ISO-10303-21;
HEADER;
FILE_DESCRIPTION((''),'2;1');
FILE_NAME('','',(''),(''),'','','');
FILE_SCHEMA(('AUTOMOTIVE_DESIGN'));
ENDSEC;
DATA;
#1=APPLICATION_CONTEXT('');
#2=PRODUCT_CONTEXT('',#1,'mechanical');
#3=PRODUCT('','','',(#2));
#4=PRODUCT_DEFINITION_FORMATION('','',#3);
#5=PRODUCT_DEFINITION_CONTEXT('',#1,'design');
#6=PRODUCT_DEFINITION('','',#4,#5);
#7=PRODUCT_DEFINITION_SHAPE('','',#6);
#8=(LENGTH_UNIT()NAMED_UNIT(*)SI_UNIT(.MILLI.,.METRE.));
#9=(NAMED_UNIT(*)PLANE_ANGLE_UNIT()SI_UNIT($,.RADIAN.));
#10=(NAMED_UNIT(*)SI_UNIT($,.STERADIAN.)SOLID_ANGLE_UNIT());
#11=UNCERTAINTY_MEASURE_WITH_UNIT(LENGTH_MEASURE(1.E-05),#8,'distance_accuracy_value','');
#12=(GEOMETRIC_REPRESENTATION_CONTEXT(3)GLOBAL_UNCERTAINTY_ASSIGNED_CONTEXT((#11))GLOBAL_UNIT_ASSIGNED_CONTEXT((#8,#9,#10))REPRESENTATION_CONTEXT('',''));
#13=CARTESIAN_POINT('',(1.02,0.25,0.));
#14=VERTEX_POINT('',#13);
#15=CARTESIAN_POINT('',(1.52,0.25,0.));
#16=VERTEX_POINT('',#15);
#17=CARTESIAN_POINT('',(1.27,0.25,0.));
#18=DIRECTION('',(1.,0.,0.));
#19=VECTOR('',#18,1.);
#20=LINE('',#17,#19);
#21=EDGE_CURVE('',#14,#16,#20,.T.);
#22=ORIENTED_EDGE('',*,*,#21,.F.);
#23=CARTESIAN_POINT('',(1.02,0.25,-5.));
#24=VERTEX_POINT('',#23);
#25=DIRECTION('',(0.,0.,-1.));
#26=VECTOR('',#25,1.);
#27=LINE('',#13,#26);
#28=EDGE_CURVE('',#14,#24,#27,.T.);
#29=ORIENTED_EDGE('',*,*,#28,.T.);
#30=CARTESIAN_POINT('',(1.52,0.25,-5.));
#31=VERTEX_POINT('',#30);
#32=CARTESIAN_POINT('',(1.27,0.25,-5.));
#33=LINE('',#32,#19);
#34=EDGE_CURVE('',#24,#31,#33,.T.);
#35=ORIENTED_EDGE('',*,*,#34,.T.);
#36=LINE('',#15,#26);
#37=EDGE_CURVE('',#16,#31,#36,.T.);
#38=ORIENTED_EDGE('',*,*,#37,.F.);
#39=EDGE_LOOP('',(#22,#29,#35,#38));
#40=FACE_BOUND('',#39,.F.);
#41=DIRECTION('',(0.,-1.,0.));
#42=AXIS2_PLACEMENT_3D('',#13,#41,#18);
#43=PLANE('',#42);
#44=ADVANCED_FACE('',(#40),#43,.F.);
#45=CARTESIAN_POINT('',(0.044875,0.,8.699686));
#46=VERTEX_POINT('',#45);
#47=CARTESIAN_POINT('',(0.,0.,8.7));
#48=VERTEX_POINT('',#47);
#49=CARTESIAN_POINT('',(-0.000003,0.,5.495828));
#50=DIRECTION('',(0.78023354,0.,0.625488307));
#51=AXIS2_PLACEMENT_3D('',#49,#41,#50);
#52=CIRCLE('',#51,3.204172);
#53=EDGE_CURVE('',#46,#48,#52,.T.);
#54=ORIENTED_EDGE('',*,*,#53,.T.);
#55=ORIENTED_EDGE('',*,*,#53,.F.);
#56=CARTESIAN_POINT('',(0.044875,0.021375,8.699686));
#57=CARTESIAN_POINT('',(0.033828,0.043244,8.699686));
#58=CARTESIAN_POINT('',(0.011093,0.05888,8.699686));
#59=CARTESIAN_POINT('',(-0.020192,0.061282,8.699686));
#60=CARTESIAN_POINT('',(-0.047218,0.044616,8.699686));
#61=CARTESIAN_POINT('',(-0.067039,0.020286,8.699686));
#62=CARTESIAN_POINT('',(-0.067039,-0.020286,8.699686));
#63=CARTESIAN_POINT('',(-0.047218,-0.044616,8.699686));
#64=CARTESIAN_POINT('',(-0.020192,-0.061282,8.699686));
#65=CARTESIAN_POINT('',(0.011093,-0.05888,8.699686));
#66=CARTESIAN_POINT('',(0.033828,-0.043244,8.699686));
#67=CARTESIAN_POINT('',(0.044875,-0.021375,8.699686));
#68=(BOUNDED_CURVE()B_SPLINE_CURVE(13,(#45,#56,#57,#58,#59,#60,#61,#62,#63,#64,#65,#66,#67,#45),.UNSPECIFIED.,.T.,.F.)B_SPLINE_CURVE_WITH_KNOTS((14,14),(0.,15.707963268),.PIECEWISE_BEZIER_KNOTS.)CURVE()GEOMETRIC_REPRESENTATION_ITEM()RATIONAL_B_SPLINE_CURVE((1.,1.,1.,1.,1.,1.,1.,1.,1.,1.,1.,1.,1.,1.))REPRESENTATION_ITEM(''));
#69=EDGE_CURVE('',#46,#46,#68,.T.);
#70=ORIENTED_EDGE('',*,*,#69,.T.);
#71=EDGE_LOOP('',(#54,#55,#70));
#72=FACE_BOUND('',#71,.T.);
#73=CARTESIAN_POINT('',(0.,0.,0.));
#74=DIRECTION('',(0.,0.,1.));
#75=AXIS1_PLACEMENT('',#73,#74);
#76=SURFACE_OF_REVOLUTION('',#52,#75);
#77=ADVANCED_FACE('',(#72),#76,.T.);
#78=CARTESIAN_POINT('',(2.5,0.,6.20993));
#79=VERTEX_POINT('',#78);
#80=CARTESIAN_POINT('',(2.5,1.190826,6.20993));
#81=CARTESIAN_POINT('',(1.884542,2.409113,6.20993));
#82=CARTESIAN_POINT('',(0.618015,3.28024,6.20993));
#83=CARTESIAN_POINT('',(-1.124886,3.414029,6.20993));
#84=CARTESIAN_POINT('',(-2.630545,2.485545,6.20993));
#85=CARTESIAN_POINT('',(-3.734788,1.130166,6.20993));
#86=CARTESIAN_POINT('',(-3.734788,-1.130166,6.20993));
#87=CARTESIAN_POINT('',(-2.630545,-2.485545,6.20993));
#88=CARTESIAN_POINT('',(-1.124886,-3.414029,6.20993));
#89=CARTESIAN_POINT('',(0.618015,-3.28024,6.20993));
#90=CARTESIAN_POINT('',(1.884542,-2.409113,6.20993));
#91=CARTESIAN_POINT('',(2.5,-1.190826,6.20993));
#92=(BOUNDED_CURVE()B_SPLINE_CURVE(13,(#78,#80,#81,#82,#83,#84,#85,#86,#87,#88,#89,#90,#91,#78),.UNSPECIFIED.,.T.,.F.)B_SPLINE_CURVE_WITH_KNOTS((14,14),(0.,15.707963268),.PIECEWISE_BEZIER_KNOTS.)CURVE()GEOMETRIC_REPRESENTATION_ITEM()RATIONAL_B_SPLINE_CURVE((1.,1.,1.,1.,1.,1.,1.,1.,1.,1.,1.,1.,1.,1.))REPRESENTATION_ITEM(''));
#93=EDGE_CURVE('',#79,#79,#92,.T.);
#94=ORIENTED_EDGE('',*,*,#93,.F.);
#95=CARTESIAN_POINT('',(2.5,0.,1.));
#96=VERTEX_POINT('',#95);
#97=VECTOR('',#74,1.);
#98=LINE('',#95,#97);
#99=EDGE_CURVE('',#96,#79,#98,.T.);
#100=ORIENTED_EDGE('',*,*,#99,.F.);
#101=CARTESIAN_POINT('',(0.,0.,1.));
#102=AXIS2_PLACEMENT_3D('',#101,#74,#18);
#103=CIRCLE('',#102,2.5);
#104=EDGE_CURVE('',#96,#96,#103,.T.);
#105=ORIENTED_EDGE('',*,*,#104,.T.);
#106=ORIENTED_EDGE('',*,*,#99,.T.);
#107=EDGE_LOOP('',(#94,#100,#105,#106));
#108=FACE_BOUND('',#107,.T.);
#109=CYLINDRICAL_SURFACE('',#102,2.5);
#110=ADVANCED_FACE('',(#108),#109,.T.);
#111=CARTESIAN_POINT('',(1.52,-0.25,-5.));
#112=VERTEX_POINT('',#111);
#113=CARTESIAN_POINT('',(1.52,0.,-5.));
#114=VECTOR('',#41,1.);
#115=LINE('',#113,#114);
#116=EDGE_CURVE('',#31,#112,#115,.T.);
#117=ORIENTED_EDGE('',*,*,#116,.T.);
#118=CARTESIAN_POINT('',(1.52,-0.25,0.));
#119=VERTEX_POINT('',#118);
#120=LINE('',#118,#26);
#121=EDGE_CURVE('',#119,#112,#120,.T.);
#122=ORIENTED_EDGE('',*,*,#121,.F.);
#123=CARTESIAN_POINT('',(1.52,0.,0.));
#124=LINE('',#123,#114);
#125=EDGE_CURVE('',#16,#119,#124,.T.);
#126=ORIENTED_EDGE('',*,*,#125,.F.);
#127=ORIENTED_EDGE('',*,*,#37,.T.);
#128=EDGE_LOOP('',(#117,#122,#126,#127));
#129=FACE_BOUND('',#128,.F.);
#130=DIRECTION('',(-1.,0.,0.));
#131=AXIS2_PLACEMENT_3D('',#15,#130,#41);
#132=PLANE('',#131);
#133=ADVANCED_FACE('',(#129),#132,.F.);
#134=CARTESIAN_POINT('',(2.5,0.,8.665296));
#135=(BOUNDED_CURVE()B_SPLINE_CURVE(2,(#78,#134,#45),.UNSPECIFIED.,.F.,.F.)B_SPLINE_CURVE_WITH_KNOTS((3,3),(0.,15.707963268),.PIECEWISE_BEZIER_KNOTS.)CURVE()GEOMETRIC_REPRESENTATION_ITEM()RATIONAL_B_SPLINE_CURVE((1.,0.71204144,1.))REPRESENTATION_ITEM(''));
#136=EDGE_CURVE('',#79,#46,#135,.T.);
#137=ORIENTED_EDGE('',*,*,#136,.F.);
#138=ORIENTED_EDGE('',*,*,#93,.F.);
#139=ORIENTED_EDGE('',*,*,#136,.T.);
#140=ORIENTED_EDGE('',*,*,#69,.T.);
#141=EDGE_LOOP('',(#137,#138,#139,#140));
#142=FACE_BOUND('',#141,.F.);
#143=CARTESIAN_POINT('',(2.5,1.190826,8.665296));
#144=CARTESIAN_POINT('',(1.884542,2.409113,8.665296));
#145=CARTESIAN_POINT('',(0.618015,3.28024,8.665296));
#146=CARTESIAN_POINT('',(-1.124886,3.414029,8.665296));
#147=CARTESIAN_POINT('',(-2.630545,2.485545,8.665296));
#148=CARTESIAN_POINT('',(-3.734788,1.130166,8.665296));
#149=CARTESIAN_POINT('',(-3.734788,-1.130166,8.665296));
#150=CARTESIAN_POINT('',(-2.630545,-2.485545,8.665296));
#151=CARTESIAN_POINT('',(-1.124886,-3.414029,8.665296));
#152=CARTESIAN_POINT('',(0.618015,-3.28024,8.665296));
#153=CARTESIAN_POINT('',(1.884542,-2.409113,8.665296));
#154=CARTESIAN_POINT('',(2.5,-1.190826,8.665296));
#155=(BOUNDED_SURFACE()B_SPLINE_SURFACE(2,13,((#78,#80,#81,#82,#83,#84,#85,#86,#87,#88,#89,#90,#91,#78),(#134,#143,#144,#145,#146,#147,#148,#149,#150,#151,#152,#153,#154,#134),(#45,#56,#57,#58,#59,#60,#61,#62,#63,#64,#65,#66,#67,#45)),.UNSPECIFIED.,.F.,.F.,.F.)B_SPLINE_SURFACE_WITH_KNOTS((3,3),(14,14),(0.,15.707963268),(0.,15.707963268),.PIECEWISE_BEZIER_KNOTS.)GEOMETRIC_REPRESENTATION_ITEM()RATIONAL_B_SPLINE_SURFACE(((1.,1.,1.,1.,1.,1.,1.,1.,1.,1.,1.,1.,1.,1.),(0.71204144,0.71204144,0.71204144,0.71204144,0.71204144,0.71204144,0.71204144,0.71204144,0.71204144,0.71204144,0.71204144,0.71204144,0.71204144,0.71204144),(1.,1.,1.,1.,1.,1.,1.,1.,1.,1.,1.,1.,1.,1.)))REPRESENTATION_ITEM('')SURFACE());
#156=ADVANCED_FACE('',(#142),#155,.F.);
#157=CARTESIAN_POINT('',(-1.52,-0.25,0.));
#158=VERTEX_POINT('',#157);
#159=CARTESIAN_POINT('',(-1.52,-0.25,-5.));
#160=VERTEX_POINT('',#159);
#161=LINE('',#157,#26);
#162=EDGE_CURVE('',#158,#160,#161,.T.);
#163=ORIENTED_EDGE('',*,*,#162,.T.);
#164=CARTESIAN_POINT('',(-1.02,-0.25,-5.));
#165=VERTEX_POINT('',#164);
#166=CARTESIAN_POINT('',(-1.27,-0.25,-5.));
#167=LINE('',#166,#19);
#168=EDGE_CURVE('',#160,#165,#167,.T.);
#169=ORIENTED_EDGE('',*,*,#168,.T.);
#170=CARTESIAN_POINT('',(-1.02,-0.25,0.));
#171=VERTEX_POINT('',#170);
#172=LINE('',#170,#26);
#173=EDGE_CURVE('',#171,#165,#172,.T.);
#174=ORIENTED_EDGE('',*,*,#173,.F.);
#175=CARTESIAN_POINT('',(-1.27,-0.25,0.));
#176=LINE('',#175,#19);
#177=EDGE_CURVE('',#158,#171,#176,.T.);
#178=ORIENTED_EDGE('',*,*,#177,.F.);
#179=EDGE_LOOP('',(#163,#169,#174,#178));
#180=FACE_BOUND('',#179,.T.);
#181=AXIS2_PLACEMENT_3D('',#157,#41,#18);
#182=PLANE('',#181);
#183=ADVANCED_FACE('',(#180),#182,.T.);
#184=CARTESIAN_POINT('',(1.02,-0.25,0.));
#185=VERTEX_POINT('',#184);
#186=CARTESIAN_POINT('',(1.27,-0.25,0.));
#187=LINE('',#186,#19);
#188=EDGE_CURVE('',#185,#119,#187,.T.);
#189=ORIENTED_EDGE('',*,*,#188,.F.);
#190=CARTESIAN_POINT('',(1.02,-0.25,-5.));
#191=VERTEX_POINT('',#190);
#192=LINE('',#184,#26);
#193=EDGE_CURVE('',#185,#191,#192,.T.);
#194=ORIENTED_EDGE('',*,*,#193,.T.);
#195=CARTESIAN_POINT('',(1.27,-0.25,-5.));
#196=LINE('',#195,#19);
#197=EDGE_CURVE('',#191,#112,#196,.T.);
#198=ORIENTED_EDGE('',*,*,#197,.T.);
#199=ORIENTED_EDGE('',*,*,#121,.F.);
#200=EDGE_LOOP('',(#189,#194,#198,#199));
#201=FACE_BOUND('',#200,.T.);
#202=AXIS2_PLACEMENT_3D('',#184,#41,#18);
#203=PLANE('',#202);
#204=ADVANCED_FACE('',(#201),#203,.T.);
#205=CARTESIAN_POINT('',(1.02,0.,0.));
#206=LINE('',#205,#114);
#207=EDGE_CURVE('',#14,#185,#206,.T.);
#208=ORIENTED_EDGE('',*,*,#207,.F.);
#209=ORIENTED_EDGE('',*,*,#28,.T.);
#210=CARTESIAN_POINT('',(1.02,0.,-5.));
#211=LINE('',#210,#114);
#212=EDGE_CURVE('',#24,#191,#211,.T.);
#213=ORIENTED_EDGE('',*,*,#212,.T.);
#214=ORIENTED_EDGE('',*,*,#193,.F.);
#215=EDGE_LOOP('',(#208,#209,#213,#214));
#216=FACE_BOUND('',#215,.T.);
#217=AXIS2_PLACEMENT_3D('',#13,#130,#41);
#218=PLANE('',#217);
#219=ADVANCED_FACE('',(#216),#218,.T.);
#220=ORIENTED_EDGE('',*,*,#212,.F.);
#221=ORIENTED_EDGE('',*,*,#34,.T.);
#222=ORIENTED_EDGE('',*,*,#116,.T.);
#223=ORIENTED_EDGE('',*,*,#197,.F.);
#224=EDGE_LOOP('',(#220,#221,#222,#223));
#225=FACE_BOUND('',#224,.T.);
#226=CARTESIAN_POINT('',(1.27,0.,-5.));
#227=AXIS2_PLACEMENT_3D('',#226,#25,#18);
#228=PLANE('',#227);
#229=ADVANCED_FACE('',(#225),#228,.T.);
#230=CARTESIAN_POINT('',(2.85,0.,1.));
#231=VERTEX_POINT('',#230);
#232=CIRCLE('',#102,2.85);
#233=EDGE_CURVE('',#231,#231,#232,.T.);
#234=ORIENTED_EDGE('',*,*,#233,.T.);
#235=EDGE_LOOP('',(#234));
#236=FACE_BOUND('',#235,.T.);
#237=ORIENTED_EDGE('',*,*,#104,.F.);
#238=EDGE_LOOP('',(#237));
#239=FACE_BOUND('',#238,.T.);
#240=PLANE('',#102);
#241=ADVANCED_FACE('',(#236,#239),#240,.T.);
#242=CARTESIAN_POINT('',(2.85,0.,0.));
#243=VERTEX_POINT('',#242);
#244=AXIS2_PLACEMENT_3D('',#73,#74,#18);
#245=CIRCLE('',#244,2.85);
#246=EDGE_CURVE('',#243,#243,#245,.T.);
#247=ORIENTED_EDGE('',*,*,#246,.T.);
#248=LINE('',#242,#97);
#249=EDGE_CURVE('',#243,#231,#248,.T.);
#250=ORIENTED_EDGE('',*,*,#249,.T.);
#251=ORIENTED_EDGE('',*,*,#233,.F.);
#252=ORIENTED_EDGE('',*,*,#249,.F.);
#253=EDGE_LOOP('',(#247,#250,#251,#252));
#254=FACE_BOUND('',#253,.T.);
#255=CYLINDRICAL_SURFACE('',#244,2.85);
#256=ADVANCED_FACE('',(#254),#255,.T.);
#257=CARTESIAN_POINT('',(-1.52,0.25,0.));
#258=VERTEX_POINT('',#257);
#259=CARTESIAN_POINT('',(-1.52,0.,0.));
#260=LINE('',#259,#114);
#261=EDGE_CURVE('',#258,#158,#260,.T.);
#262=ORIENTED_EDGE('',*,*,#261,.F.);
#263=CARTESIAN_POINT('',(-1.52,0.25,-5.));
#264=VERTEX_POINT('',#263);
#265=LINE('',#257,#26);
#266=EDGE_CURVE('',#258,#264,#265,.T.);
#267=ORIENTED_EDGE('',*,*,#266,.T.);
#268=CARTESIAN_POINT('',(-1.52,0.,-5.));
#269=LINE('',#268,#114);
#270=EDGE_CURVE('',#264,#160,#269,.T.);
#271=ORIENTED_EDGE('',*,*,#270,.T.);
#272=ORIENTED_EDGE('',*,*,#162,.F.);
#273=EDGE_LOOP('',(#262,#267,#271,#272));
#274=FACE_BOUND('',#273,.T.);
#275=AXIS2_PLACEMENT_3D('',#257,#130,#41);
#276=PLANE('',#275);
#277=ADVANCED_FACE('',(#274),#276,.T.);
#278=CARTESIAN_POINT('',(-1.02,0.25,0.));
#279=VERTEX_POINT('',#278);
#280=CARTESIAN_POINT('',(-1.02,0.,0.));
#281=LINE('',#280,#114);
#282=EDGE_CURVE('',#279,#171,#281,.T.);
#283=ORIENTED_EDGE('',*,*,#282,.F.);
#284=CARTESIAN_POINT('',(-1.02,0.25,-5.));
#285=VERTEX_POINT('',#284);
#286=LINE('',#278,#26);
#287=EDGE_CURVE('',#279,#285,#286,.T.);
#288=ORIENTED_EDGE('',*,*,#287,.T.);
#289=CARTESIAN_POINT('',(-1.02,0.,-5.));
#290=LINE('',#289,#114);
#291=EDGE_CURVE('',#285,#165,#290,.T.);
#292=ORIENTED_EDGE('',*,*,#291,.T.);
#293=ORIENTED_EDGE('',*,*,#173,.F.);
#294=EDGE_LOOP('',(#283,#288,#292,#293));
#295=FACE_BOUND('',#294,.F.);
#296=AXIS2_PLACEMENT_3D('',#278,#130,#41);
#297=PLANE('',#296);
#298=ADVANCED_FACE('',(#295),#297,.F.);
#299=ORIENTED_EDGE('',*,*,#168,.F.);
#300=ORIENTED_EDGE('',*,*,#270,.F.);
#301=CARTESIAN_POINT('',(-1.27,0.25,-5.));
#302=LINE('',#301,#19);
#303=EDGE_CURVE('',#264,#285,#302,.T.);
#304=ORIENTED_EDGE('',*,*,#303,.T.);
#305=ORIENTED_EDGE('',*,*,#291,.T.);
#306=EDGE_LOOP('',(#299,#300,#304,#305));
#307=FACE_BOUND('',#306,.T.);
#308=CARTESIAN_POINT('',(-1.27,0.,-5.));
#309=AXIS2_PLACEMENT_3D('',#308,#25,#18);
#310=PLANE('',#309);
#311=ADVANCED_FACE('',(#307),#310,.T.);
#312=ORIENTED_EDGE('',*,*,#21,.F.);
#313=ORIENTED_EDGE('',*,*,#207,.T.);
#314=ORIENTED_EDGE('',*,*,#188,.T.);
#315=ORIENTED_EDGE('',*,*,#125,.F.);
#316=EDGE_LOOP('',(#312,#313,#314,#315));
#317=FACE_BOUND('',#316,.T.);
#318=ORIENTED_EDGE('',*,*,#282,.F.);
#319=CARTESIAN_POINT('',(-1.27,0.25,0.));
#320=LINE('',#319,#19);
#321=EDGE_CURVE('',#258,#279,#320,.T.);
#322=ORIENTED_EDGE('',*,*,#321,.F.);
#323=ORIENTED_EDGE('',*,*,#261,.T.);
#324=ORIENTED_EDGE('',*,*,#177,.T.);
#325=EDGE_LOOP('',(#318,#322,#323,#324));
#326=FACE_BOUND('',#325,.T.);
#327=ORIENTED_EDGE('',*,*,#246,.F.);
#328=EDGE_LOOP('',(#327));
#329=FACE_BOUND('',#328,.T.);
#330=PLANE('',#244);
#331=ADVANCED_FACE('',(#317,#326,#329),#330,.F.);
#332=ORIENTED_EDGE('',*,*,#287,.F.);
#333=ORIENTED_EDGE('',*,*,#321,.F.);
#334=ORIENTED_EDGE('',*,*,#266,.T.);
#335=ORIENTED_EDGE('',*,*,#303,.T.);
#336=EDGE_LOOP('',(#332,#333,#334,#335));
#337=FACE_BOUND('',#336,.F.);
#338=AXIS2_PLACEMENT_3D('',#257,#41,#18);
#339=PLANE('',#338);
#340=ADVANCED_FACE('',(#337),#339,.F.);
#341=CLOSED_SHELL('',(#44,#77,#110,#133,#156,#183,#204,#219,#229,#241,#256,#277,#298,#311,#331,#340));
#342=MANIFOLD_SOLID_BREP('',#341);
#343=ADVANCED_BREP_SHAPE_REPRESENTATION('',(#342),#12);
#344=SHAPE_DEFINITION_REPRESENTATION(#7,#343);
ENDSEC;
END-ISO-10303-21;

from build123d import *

# Parameters (mm, degrees)
SKETCH001_W = 0.5
SKETCH001_H = 0.5
PAD_DEPTH   = 5
FILLET_R    = 2.49


with BuildPart() as part:
    # Sketch → Revolution (revolve)
    with BuildSketch(Plane.XZ):
        with BuildLine():
            Line((0, 0), (2.85, 0))
            Line((2.85, 0), (2.85, 1))
            Line((2.85, 1), (2.5, 1))
            Line((2.5, 1), (2.5, 7.5))
            ThreePointArc((2.5, 7.5), (1.386542, 8.384463), (0, 8.7))
            Line((0, 0), (0, 8.7))
        make_face()
    revolve(axis=Axis((0, 0, 0), (0, 0, 1)))

    # Sketch001 (on Face1 of Revolution) → Pad (new body)
    with BuildSketch(Plane(origin=(0, 0, 0), x_dir=(1, 0, 0), z_dir=(0, 0, -1))):
        with Locations((1.27, 0)):
            Rectangle(SKETCH001_W, SKETCH001_H)
        with Locations((-1.27, 0)):
            Rectangle(SKETCH001_W, SKETCH001_H)
    extrude(amount=PAD_DEPTH)

    # Fillet
    fillet_edges = [part.edges().sort_by_distance(p)[0] for p in [
        (-2.5, 0, 7.5),
    ]]
    fillet(fillet_edges, radius=FILLET_R)


solid = part.part
